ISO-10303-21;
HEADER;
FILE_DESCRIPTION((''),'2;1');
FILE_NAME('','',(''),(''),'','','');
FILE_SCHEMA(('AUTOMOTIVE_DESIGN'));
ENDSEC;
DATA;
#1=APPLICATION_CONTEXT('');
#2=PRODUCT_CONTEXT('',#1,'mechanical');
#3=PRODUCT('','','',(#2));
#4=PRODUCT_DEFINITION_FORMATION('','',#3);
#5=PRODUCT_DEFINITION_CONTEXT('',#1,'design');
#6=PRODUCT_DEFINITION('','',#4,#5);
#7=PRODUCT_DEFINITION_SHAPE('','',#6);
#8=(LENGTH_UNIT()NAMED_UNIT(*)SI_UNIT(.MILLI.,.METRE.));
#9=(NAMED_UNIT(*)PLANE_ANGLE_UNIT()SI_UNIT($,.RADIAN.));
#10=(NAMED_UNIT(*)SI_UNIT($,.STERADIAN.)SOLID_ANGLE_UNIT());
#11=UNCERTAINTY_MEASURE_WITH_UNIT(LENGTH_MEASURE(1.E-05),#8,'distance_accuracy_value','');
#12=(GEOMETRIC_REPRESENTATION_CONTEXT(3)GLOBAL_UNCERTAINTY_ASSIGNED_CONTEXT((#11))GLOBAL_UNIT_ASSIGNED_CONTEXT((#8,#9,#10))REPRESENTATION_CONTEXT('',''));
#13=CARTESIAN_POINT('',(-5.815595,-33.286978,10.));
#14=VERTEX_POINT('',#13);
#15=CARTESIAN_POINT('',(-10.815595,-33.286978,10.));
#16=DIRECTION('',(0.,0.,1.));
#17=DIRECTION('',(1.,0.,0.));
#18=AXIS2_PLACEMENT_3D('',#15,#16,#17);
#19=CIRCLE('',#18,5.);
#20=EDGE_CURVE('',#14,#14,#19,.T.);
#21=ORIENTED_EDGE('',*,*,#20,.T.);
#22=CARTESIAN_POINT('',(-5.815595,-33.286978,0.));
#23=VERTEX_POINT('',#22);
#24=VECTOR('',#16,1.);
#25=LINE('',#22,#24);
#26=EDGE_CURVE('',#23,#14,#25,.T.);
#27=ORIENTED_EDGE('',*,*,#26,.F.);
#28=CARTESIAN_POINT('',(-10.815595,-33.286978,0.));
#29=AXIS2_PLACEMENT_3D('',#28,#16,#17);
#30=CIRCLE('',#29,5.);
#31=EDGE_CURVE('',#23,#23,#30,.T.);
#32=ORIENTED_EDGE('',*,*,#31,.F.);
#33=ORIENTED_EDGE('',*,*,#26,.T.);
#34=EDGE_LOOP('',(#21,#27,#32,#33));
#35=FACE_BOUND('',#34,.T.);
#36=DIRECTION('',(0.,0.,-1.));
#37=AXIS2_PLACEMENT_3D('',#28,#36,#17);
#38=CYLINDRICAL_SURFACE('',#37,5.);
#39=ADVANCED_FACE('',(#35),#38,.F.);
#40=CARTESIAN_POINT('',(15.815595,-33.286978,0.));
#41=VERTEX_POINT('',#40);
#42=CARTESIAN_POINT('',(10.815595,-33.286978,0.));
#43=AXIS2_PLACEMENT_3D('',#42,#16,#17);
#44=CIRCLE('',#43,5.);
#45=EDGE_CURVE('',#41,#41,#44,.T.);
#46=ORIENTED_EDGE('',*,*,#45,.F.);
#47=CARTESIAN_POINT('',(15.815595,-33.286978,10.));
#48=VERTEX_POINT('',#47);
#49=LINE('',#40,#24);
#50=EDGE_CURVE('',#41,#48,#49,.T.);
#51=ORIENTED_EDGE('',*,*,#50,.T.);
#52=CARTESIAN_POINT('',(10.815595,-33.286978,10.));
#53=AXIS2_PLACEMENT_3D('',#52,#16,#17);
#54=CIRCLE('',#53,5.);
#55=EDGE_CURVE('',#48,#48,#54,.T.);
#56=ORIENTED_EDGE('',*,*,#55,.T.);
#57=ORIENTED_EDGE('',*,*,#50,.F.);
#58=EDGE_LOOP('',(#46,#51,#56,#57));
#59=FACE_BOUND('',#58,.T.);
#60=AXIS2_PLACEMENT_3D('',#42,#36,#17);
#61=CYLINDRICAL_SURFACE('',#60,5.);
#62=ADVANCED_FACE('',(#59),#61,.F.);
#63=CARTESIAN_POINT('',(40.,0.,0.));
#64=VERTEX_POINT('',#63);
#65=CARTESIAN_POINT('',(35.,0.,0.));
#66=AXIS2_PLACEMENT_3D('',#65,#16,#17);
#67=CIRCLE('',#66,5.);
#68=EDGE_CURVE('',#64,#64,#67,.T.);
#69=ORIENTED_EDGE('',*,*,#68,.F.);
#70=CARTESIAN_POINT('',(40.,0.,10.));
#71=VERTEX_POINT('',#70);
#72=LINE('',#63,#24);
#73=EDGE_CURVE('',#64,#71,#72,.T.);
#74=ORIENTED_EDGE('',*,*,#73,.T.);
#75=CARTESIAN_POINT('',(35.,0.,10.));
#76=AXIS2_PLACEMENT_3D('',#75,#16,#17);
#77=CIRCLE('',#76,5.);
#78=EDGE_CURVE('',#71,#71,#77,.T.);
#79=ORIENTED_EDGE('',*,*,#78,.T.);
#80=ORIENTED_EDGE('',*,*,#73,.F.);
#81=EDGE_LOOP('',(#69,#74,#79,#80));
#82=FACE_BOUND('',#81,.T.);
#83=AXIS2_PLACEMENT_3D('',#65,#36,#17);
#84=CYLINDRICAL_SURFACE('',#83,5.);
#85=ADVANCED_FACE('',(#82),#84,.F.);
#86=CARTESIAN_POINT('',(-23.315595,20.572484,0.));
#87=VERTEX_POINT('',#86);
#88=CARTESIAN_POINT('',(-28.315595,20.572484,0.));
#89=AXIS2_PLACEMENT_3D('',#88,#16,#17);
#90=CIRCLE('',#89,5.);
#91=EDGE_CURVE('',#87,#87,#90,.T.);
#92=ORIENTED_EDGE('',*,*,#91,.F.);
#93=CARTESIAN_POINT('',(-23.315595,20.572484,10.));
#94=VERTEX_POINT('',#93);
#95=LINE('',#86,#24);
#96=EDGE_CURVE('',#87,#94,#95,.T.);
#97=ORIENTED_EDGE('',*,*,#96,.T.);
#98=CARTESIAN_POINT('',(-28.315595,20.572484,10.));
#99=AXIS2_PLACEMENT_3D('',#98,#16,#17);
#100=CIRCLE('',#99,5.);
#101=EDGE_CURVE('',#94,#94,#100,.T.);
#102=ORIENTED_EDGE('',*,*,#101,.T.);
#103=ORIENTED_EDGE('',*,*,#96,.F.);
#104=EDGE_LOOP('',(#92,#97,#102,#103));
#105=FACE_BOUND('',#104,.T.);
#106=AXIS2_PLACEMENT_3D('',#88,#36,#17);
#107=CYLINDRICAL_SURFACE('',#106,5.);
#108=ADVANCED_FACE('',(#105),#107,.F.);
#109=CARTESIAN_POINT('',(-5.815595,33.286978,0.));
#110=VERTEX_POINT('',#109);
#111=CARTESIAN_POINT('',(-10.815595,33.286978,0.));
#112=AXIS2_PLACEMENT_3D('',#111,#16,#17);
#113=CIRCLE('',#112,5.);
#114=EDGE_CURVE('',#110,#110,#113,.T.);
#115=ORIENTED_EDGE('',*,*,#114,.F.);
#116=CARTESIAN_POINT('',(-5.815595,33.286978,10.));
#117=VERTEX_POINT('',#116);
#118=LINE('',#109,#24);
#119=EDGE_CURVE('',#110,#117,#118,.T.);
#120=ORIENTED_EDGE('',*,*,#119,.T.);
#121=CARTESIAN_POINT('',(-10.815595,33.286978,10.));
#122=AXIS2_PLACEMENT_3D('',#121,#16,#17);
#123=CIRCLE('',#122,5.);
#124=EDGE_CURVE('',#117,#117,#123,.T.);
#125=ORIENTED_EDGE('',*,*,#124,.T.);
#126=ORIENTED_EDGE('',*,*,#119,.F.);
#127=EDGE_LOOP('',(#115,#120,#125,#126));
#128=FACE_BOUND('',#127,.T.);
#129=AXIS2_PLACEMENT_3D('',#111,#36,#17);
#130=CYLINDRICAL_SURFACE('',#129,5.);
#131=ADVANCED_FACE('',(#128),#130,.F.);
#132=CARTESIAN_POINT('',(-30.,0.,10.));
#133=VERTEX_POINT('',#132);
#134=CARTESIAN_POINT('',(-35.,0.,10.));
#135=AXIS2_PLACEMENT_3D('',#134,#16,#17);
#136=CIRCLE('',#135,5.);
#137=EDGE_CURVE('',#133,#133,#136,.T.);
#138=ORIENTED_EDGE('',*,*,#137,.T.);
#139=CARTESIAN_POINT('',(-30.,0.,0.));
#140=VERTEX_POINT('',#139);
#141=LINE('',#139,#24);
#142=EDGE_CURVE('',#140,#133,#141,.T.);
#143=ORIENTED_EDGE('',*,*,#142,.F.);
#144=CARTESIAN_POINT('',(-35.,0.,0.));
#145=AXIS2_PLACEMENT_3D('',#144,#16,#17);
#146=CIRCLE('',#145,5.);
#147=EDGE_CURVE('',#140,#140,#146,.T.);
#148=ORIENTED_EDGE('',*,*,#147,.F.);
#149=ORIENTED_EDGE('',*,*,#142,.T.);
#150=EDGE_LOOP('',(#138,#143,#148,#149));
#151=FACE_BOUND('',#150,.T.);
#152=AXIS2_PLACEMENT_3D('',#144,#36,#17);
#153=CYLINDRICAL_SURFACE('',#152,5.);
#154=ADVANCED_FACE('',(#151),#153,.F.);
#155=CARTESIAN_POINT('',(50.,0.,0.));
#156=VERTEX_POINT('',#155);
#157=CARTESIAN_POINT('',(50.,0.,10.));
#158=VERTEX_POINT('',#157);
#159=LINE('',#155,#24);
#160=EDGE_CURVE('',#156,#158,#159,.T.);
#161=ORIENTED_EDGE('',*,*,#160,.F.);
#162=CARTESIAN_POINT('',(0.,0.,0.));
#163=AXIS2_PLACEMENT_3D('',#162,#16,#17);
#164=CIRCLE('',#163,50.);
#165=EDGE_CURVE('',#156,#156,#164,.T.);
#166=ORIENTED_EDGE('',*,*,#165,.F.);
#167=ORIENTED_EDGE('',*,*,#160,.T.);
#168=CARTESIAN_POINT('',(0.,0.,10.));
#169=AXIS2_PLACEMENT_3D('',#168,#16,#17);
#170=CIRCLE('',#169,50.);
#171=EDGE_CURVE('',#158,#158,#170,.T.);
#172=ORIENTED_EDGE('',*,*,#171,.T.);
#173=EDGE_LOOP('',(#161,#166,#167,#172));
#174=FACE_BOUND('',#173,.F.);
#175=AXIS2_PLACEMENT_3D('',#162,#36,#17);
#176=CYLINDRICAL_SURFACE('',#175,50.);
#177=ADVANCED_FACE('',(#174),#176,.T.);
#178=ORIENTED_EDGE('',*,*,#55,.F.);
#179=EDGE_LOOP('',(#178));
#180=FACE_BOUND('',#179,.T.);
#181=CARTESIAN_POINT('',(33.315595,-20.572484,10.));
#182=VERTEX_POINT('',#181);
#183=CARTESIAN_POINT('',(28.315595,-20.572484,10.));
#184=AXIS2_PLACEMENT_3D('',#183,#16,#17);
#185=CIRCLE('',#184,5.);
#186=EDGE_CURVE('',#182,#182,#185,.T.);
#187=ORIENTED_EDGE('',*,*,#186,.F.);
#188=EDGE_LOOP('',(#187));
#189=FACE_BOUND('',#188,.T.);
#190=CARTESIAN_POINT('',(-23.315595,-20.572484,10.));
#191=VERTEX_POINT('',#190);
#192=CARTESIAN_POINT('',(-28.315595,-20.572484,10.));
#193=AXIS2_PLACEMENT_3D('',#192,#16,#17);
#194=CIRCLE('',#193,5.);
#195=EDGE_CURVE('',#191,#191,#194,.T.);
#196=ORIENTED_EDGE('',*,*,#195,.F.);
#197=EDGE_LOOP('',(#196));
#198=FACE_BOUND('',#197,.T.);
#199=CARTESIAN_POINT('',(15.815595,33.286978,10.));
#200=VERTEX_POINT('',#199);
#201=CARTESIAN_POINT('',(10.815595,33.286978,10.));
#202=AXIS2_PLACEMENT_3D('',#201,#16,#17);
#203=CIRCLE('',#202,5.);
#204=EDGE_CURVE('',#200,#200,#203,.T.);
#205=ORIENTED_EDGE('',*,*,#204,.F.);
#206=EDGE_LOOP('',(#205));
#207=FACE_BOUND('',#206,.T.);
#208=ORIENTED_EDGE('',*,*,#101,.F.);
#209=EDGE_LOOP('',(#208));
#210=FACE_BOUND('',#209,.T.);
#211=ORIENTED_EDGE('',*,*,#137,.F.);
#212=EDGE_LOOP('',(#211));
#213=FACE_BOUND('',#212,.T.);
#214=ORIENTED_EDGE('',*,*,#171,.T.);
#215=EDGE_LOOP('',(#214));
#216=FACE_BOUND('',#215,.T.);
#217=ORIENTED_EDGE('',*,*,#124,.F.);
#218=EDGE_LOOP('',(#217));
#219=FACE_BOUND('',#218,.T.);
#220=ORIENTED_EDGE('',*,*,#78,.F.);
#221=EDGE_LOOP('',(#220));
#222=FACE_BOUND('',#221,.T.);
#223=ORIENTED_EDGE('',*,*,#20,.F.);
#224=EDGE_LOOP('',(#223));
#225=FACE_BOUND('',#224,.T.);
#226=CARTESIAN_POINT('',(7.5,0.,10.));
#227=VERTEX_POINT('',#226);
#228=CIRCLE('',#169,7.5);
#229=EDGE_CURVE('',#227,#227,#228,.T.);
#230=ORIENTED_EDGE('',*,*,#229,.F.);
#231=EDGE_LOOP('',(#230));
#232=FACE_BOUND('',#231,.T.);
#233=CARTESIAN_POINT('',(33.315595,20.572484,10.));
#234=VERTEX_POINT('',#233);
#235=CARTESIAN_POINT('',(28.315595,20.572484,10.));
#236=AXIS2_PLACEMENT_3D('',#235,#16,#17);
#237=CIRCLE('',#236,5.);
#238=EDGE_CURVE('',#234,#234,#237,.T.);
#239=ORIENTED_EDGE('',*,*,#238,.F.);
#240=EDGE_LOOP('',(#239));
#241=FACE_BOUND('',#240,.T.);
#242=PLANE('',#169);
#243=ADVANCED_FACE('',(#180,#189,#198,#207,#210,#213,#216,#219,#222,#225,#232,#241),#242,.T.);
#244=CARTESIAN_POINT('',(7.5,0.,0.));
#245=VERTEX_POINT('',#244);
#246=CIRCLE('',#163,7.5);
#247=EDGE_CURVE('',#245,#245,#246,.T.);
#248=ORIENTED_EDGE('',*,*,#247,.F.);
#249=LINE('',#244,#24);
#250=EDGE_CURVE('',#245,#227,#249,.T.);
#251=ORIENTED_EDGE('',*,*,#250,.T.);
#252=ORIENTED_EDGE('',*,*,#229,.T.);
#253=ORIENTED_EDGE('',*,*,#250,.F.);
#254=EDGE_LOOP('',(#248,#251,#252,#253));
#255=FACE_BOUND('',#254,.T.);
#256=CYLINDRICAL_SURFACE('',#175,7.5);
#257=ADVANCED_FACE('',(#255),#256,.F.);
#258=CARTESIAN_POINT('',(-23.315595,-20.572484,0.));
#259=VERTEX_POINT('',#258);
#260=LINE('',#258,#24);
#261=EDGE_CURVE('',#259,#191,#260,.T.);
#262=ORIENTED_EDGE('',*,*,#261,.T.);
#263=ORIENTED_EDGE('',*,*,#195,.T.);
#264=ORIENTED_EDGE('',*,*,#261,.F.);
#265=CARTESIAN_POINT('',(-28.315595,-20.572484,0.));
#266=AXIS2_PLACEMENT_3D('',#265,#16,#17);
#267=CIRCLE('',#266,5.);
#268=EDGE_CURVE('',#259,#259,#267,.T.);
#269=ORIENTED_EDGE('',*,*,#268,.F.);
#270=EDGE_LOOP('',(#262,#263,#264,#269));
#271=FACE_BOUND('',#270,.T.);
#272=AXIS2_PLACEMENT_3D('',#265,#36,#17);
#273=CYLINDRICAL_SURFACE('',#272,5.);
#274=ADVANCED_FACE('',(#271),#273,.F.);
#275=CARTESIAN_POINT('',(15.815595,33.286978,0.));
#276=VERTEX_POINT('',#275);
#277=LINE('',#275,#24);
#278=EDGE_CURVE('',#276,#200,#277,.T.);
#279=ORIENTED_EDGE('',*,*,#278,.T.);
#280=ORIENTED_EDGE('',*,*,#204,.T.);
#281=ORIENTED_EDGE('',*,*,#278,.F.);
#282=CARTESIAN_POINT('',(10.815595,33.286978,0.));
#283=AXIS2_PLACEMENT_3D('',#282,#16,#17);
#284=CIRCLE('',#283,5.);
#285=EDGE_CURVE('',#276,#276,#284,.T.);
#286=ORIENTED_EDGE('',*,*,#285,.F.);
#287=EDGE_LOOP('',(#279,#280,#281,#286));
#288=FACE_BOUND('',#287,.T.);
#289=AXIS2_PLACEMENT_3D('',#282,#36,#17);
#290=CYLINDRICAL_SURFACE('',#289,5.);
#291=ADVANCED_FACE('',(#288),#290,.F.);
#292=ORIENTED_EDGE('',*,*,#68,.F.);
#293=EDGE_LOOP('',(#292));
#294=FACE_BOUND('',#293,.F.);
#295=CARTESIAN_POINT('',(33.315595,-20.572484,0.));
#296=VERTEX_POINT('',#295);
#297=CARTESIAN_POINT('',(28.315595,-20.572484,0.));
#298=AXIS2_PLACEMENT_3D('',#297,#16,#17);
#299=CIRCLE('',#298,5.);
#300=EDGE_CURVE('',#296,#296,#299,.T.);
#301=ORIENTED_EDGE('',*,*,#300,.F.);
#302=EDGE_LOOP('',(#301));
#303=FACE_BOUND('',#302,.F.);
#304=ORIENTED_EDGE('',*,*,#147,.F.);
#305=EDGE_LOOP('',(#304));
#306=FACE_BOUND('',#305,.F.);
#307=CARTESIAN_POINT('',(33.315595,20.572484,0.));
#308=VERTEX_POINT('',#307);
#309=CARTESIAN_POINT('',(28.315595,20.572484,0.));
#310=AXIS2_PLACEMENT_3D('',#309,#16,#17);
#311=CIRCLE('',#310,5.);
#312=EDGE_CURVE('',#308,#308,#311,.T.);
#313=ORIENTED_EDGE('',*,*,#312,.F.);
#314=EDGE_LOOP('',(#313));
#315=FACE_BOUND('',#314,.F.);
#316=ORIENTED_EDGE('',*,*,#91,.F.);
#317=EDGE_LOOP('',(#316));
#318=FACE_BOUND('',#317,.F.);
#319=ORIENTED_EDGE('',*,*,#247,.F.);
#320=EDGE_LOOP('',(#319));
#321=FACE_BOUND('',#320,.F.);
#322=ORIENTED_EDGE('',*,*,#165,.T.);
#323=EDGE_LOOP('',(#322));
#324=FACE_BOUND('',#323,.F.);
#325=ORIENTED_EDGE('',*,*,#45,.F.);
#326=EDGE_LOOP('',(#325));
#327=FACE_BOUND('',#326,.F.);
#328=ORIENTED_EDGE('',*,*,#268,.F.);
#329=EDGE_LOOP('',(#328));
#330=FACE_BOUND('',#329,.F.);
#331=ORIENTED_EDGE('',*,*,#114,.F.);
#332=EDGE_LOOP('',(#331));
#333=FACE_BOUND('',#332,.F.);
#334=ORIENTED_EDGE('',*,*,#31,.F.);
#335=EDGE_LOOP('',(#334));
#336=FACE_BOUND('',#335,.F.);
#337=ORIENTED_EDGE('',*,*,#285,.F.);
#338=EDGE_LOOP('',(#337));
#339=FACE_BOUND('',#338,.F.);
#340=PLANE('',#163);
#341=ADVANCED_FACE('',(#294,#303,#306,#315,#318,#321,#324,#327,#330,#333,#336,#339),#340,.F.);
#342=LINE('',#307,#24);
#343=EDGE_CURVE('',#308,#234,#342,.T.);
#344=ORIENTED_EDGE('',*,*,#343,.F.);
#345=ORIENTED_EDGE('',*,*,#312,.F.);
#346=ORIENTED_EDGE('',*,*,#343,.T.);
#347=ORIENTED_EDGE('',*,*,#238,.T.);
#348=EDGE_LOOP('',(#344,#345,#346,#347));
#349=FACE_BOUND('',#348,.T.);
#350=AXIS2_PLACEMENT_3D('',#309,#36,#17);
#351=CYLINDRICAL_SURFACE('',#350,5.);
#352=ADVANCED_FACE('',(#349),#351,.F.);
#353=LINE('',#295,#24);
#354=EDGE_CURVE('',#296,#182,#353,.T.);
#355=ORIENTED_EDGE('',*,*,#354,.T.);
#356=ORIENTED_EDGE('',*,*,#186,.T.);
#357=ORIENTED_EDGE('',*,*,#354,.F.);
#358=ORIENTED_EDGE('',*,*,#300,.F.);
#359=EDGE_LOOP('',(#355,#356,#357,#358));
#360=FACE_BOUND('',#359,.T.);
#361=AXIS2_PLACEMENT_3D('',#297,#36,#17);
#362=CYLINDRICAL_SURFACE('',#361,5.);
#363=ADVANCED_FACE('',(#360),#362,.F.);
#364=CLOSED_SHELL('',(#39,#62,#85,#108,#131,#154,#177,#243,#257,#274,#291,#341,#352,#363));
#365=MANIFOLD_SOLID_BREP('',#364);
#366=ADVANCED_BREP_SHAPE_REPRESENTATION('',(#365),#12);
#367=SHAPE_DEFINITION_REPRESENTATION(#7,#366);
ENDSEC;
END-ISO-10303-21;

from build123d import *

# Parameters (mm, degrees)
F0_R     = 50
F0_R_2   = 5
F0_R_3   = 7.5
F1_DEPTH = 10


with BuildPart() as f1:
    # F0 (on Top) → F1 (new body)
    with BuildSketch(Plane.XY):
        Circle(F0_R)
        with Locations((-10.815595, -33.286978)):
            Circle(F0_R_2, mode=Mode.SUBTRACT)
        with Locations((-28.315595, -20.572484)):
            Circle(F0_R_2, mode=Mode.SUBTRACT)
        with Locations((10.815595, -33.286978)):
            Circle(F0_R_2, mode=Mode.SUBTRACT)
        with Locations((28.315595, -20.572484)):
            Circle(F0_R_2, mode=Mode.SUBTRACT)
        with Locations((-35, 0)):
            Circle(F0_R_2, mode=Mode.SUBTRACT)
        with Locations((-28.315595, 20.572484)):
            Circle(F0_R_2, mode=Mode.SUBTRACT)
        with Locations((-10.815595, 33.286978)):
            Circle(F0_R_2, mode=Mode.SUBTRACT)
        Circle(F0_R_3, mode=Mode.SUBTRACT)
        with Locations((35, 0)):
            Circle(F0_R_2, mode=Mode.SUBTRACT)
        with Locations((28.315595, 20.572484)):
            Circle(F0_R_2, mode=Mode.SUBTRACT)
        with Locations((10.815595, 33.286978)):
            Circle(F0_R_2, mode=Mode.SUBTRACT)
    extrude(amount=F1_DEPTH)


solid = f1.part
